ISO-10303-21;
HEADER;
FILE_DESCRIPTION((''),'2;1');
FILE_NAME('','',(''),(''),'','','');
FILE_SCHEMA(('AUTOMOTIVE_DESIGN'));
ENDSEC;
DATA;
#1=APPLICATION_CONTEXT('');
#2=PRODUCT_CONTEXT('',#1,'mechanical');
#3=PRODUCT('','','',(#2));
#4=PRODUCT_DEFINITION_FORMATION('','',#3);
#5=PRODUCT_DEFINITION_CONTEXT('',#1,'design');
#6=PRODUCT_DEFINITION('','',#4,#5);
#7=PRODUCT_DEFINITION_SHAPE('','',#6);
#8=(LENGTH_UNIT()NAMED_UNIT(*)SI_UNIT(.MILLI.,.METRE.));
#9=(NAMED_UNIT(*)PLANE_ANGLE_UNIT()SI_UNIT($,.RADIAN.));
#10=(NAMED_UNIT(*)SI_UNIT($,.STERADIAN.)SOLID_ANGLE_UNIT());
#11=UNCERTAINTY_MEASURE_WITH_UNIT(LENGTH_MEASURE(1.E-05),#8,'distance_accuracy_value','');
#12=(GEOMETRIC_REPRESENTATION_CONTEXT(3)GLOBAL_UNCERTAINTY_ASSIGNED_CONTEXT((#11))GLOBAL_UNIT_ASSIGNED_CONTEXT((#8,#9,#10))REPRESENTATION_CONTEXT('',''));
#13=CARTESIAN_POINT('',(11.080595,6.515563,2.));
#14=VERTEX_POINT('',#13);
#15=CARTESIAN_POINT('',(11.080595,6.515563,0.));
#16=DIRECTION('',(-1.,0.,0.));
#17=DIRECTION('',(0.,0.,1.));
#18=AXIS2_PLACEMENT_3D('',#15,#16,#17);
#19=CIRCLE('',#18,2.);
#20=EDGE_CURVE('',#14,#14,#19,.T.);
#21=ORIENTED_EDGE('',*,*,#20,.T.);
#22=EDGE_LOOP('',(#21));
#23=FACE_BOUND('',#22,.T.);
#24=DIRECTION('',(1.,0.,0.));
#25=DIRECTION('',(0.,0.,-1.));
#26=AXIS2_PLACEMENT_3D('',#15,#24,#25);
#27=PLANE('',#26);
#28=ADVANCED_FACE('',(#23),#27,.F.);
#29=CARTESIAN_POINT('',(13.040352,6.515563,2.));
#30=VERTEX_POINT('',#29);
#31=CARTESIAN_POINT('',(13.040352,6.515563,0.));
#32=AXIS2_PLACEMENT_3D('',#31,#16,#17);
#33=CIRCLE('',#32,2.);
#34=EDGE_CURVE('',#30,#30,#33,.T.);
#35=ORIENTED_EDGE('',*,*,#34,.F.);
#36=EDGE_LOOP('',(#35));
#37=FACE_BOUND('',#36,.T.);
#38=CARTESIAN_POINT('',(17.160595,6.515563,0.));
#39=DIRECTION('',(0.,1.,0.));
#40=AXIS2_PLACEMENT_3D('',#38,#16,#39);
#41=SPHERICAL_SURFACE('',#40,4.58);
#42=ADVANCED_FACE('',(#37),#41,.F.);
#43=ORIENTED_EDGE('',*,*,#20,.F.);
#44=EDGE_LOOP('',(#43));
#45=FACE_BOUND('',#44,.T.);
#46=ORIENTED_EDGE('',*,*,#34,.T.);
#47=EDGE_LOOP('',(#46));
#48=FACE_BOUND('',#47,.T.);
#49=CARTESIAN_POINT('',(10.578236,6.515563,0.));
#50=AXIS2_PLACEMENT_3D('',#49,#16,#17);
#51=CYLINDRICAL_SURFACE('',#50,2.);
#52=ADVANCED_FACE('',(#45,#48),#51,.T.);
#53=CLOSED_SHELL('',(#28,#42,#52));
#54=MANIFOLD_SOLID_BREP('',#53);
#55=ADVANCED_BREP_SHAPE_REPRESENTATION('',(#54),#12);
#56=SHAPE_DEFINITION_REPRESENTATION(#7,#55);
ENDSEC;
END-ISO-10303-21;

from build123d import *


with BuildPart() as part:
    # 草图1 → 旋转1 (revolve)
    with BuildSketch(Plane.XY):
        with BuildLine():
            Line((11.080595085, 6.515563046), (11.080595085, 8.515563046))
            Line((11.080595085, 8.515563046), (13.040352373, 8.515563046))
            ThreePointArc((13.040352373, 8.515563046), (12.697014033, 7.541645007), (12.580595085, 6.515563046))
            Line((12.580595085, 6.515563046), (11.080595085, 6.515563046))
        make_face()
    revolve(axis=Axis((10.578235961, 6.515563046, 0), (1, 0, 0)))


solid = part.part
